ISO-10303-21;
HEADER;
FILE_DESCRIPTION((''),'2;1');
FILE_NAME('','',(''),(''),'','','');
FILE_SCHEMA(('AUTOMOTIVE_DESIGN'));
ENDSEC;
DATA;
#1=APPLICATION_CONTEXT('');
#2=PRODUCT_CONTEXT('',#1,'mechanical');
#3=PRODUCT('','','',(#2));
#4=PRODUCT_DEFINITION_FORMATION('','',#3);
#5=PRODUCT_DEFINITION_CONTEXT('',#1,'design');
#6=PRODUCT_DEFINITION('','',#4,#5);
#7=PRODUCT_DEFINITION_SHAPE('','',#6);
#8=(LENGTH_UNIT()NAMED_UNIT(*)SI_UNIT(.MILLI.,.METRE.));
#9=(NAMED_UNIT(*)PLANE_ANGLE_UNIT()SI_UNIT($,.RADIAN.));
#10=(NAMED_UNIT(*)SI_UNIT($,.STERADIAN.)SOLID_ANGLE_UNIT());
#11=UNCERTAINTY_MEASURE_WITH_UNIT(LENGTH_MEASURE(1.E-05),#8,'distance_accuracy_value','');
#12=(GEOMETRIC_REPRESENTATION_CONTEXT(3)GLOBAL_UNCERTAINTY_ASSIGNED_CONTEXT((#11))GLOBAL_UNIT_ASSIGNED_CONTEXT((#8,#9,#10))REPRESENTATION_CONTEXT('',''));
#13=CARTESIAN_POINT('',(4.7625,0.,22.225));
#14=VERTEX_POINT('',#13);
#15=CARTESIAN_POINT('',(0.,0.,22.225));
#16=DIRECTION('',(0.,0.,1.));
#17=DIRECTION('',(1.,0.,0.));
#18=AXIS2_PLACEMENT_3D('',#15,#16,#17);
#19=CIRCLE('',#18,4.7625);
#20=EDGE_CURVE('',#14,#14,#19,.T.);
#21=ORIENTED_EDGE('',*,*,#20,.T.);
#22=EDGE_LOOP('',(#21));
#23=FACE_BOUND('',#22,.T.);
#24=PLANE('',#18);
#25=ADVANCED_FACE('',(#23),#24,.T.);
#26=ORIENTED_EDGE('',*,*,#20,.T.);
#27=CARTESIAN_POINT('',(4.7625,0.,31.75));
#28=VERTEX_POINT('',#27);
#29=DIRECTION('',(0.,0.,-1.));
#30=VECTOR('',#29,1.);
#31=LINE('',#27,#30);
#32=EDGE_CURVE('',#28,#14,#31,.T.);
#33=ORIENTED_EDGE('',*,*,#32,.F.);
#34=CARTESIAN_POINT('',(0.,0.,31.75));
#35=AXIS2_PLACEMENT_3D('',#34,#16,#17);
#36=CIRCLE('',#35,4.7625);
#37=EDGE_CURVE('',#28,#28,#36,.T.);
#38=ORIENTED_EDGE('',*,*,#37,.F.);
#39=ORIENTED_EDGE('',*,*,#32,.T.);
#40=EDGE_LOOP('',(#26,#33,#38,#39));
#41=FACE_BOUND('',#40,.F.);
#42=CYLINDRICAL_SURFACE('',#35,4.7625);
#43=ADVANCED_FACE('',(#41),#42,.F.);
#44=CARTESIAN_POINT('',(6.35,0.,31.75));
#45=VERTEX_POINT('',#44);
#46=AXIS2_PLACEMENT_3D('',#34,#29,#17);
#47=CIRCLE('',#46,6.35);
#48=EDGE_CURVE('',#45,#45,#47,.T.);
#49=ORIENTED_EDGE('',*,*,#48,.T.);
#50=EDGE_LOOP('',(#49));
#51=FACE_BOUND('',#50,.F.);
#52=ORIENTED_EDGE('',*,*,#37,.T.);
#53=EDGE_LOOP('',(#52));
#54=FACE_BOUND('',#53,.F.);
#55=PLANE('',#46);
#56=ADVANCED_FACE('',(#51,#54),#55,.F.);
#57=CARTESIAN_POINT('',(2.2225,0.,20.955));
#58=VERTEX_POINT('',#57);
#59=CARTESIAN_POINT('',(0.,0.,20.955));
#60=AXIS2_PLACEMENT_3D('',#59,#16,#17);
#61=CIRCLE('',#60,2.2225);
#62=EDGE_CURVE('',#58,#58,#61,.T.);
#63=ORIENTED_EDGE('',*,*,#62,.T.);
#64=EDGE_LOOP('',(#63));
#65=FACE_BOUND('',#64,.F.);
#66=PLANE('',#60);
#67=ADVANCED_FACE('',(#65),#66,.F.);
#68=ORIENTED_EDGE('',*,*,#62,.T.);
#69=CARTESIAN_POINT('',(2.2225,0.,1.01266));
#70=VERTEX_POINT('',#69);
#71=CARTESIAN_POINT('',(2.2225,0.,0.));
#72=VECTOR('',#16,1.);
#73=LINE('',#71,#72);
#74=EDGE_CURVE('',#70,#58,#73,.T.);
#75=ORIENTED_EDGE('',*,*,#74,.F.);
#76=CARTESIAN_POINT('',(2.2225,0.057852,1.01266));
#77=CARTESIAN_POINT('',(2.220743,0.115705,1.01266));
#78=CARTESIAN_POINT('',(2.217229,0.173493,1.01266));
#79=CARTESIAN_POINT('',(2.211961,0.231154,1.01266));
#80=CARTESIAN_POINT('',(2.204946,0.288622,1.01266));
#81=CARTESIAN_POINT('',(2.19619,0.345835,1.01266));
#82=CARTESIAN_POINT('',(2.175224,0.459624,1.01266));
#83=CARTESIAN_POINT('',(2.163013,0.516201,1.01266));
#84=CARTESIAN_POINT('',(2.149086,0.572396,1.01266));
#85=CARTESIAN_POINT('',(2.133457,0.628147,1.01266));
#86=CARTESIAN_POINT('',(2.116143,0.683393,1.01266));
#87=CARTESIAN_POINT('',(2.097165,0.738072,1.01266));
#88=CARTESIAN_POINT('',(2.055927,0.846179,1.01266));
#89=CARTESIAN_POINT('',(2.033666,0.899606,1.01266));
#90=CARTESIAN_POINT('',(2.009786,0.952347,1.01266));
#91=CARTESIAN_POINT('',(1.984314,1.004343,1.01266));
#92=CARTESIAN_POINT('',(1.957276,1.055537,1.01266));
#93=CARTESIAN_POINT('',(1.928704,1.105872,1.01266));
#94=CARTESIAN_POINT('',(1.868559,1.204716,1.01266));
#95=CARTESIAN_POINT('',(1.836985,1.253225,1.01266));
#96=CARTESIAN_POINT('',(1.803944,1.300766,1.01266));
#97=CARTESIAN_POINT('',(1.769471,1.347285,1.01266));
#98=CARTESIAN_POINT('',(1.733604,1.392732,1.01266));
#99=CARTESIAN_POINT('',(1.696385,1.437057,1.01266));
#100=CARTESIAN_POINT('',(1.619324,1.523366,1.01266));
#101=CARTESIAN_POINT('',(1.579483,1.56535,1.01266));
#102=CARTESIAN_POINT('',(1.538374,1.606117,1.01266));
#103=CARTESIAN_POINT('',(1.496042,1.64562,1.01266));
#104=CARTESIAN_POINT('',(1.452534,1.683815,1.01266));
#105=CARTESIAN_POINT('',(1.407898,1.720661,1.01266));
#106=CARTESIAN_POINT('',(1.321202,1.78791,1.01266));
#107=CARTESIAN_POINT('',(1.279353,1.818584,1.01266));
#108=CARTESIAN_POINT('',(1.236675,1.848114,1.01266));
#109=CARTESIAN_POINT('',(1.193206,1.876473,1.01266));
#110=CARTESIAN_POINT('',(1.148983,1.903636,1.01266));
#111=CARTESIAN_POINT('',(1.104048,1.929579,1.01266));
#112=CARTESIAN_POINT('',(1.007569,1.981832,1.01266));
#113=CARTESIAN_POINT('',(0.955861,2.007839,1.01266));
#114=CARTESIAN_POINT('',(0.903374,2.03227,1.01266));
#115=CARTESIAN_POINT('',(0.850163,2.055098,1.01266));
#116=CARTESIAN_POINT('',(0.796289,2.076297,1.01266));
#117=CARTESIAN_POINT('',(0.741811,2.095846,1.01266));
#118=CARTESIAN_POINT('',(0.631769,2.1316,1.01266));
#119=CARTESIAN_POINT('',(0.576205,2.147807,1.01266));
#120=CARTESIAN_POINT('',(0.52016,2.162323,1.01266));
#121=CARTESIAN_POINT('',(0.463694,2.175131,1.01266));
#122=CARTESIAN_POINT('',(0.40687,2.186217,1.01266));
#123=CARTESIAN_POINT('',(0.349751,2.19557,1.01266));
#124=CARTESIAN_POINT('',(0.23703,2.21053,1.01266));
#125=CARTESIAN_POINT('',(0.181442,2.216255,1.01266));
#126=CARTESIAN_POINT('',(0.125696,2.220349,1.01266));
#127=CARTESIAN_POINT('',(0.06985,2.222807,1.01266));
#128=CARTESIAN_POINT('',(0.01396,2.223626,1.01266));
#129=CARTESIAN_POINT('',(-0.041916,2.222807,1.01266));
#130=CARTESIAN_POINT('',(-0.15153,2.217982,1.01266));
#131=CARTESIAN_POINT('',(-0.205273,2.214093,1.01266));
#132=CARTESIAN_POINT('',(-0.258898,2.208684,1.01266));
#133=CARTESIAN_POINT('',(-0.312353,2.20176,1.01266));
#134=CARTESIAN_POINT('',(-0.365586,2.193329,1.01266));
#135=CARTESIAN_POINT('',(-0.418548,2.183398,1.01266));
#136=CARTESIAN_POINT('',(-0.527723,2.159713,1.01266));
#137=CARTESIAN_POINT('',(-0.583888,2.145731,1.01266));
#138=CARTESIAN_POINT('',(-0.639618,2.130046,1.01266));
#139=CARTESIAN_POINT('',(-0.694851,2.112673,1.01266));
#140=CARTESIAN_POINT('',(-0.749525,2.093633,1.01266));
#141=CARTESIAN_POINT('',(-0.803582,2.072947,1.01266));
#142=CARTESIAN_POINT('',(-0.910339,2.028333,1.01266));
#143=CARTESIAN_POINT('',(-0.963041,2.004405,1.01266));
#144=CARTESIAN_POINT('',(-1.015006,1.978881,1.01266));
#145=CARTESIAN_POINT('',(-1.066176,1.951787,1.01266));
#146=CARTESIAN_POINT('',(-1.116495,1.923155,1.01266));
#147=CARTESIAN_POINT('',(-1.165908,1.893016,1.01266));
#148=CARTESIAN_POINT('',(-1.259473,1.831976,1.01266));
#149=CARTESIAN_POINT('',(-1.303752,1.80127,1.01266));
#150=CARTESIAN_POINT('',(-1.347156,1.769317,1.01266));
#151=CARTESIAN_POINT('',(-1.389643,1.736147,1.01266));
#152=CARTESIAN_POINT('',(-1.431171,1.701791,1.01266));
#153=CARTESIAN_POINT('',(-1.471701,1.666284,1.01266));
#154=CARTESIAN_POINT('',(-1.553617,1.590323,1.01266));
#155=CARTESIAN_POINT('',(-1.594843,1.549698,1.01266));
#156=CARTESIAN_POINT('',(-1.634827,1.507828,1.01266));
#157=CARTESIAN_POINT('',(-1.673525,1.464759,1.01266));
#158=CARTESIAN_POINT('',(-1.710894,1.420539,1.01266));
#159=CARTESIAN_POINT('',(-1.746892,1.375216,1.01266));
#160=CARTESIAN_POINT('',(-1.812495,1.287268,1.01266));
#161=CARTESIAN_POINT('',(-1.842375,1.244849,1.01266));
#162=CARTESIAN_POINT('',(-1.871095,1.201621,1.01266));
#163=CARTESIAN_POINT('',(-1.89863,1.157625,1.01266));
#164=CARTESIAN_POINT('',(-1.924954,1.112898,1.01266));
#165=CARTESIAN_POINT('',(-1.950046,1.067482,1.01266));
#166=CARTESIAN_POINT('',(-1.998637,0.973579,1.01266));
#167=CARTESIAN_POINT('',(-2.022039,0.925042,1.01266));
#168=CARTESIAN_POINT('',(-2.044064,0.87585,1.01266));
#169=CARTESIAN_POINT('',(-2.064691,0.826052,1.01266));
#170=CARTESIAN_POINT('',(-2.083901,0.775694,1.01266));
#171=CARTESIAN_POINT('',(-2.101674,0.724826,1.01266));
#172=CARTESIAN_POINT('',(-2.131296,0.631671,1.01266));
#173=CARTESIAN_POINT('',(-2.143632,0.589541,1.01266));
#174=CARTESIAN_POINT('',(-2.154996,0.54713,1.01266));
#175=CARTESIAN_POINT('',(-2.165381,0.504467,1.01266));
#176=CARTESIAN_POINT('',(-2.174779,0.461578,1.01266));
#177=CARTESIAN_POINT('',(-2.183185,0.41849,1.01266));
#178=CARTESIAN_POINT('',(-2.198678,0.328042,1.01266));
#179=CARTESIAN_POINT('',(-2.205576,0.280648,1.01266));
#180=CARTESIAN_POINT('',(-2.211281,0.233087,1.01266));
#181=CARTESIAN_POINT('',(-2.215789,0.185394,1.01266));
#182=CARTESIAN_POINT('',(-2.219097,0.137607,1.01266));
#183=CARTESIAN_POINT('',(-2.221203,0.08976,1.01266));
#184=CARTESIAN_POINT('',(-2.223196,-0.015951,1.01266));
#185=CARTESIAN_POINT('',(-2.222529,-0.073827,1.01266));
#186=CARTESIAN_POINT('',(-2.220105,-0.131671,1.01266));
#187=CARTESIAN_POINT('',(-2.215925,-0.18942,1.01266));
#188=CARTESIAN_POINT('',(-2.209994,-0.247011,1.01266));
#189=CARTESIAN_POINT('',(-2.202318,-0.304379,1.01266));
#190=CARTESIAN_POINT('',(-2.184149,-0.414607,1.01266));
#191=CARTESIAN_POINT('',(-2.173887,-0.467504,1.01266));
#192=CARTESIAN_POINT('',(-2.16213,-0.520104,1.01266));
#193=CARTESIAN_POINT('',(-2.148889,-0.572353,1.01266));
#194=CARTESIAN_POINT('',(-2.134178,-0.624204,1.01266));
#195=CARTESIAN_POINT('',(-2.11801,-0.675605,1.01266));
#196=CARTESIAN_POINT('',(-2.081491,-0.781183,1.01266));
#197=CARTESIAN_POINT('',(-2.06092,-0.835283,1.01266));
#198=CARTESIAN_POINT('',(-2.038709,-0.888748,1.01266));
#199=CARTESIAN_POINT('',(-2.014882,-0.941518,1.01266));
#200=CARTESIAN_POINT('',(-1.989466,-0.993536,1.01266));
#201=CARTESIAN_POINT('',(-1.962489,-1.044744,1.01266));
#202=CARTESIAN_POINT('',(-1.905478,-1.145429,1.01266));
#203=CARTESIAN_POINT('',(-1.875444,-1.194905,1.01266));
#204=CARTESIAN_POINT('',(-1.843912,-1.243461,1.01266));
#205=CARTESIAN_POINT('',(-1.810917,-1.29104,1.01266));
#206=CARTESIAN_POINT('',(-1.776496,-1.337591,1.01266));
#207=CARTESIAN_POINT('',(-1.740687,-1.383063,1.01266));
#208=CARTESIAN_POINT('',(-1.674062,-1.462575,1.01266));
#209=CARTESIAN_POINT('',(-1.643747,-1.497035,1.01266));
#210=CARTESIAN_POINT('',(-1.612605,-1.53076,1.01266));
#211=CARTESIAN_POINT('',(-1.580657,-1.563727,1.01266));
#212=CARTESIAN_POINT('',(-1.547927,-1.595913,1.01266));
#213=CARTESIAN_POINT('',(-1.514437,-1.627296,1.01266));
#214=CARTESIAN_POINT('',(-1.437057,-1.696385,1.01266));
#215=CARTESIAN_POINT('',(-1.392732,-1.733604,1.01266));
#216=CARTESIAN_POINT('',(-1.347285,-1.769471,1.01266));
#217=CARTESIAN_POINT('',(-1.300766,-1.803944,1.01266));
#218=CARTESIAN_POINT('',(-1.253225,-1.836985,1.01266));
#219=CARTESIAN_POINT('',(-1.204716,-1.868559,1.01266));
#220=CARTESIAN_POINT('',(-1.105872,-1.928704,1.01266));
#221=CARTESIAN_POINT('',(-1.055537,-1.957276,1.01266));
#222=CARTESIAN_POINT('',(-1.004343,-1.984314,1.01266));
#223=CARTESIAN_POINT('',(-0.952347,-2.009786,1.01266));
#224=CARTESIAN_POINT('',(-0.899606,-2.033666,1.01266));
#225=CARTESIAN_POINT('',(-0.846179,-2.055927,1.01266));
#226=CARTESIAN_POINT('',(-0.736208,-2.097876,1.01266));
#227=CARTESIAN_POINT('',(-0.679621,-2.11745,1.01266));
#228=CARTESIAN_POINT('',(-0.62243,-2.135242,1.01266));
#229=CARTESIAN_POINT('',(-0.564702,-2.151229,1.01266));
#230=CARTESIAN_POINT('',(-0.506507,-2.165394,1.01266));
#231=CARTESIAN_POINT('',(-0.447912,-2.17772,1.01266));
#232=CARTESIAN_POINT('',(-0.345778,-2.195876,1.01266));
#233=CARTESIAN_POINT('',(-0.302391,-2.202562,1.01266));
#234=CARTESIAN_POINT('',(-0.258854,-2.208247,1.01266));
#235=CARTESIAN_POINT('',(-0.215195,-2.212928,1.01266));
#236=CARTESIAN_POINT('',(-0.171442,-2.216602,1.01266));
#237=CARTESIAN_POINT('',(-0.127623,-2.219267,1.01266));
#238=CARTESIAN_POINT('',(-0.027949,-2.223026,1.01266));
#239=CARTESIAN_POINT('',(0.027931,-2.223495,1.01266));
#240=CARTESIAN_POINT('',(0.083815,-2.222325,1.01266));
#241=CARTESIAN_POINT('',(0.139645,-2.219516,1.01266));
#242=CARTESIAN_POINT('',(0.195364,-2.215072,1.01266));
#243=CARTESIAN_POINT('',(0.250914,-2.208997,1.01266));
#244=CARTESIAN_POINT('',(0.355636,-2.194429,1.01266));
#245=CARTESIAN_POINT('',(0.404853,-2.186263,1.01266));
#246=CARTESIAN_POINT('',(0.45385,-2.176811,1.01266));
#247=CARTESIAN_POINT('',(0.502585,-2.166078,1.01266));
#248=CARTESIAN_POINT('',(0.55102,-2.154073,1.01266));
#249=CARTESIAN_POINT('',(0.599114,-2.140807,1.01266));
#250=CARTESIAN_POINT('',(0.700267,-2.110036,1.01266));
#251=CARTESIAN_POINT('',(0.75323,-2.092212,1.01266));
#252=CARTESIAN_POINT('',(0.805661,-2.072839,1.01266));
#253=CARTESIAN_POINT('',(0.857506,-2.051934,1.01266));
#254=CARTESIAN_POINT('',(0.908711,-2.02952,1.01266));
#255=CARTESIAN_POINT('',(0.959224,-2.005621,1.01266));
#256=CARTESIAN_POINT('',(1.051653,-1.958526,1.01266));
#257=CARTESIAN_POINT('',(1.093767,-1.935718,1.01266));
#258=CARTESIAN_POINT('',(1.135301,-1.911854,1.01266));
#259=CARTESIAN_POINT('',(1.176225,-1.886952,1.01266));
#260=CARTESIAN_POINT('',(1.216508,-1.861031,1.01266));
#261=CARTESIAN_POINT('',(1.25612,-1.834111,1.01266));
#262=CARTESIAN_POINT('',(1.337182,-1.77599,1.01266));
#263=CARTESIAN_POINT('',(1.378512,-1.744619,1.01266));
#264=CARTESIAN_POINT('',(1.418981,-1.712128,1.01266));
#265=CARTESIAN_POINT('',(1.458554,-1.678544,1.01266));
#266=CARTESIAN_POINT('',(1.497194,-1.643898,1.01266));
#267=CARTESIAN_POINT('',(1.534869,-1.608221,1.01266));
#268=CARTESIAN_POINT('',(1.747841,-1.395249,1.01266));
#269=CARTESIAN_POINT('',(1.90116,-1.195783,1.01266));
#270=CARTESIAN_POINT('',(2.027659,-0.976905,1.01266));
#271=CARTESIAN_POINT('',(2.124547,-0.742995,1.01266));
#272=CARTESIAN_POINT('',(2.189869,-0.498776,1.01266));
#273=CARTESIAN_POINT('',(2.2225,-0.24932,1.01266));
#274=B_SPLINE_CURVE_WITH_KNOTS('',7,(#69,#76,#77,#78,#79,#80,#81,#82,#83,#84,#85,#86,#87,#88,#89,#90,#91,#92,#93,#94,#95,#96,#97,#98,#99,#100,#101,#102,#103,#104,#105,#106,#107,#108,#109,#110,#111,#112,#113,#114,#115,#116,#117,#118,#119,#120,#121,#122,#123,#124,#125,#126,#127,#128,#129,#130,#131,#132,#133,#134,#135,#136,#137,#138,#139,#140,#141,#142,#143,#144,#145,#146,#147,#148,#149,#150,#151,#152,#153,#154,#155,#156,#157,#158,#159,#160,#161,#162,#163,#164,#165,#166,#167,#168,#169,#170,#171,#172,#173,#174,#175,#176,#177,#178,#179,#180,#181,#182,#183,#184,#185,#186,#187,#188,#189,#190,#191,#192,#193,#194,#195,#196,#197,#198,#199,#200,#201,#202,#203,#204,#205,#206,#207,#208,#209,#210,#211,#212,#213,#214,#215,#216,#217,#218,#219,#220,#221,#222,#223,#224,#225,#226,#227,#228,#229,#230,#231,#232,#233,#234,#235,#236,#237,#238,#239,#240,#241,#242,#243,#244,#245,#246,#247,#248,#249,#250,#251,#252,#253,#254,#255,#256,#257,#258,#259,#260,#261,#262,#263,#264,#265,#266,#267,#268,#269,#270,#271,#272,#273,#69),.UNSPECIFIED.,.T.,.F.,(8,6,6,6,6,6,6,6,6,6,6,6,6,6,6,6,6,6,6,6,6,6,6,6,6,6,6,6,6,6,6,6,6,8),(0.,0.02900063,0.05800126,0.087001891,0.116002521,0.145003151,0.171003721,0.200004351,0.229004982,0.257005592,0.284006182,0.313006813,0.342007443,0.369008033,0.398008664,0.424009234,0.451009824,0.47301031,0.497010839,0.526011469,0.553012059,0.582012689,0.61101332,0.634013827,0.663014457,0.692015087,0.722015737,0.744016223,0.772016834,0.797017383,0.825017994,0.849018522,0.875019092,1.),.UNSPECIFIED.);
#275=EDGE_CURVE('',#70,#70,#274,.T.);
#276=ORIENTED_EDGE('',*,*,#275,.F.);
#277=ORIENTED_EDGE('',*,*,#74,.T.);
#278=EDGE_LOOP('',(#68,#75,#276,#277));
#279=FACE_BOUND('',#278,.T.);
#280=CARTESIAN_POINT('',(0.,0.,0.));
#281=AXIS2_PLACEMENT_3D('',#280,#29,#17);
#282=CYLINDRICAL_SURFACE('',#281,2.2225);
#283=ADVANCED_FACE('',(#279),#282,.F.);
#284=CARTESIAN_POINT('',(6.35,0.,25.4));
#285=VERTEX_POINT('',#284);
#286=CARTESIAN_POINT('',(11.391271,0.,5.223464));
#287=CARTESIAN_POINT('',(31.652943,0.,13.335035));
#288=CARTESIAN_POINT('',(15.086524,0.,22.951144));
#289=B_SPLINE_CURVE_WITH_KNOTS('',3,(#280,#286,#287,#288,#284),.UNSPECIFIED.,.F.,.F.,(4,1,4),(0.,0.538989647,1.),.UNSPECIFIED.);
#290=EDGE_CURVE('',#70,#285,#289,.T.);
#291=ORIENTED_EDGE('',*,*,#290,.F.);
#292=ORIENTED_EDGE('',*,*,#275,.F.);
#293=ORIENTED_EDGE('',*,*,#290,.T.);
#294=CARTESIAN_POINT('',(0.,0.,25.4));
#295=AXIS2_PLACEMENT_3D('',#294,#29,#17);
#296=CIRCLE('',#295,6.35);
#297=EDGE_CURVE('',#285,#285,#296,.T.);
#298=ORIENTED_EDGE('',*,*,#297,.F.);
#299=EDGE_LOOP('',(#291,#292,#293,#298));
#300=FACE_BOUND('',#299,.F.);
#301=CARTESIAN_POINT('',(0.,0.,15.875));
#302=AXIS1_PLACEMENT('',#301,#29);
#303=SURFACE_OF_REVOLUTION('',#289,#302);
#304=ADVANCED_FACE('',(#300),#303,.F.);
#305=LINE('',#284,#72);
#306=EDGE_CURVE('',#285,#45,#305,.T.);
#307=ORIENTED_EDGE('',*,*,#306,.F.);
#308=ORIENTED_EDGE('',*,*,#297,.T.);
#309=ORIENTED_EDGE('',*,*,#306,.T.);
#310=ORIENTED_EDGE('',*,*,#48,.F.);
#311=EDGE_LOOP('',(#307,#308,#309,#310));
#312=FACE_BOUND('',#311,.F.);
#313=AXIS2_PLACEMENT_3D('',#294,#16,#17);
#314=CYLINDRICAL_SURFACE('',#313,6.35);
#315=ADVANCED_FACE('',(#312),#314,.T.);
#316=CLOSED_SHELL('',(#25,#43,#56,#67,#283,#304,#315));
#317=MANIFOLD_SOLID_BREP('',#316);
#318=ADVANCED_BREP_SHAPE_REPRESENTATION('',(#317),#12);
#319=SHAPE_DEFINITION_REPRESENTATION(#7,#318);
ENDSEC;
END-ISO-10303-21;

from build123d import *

# Parameters (mm, degrees)
F2_R     = 4.7625
F3_DEPTH = 9.525
F4_R     = 2.2225
F5_DEPTH = 20.955


with BuildPart() as f1:
    # F0 (on Front) → F1 (revolve)
    with BuildSketch(Plane.XZ):
        with BuildLine():
            Line((0, 31.75), (0, 0))
            add(Edge.make_bspline(
                [(0, 0), (11.3912708933, 5.2234637309), (31.6529425674, 13.3350349717), (15.0865243452, 22.9511441647), (6.35, 25.4)],
                knots=[0, 0, 0, 0, 0.5389896465, 1, 1, 1, 1], degree=3))
            Line((6.35, 25.4), (6.35, 31.75))
            Line((6.35, 31.75), (0, 31.75))
        make_face()
    revolve(axis=Axis((0, 0, 15.875), (0, 0, -1)))

    # F2 (on face) → F3 (cut)
    with BuildSketch(Plane.XY.offset(31.75)):
        Circle(F2_R)
    extrude(amount=-F3_DEPTH, mode=Mode.SUBTRACT)

    # F4 (on Top) → F5 (cut)
    with BuildSketch(Plane.XY):
        Circle(F4_R)
    extrude(amount=F5_DEPTH, mode=Mode.SUBTRACT)


solid = f1.part
